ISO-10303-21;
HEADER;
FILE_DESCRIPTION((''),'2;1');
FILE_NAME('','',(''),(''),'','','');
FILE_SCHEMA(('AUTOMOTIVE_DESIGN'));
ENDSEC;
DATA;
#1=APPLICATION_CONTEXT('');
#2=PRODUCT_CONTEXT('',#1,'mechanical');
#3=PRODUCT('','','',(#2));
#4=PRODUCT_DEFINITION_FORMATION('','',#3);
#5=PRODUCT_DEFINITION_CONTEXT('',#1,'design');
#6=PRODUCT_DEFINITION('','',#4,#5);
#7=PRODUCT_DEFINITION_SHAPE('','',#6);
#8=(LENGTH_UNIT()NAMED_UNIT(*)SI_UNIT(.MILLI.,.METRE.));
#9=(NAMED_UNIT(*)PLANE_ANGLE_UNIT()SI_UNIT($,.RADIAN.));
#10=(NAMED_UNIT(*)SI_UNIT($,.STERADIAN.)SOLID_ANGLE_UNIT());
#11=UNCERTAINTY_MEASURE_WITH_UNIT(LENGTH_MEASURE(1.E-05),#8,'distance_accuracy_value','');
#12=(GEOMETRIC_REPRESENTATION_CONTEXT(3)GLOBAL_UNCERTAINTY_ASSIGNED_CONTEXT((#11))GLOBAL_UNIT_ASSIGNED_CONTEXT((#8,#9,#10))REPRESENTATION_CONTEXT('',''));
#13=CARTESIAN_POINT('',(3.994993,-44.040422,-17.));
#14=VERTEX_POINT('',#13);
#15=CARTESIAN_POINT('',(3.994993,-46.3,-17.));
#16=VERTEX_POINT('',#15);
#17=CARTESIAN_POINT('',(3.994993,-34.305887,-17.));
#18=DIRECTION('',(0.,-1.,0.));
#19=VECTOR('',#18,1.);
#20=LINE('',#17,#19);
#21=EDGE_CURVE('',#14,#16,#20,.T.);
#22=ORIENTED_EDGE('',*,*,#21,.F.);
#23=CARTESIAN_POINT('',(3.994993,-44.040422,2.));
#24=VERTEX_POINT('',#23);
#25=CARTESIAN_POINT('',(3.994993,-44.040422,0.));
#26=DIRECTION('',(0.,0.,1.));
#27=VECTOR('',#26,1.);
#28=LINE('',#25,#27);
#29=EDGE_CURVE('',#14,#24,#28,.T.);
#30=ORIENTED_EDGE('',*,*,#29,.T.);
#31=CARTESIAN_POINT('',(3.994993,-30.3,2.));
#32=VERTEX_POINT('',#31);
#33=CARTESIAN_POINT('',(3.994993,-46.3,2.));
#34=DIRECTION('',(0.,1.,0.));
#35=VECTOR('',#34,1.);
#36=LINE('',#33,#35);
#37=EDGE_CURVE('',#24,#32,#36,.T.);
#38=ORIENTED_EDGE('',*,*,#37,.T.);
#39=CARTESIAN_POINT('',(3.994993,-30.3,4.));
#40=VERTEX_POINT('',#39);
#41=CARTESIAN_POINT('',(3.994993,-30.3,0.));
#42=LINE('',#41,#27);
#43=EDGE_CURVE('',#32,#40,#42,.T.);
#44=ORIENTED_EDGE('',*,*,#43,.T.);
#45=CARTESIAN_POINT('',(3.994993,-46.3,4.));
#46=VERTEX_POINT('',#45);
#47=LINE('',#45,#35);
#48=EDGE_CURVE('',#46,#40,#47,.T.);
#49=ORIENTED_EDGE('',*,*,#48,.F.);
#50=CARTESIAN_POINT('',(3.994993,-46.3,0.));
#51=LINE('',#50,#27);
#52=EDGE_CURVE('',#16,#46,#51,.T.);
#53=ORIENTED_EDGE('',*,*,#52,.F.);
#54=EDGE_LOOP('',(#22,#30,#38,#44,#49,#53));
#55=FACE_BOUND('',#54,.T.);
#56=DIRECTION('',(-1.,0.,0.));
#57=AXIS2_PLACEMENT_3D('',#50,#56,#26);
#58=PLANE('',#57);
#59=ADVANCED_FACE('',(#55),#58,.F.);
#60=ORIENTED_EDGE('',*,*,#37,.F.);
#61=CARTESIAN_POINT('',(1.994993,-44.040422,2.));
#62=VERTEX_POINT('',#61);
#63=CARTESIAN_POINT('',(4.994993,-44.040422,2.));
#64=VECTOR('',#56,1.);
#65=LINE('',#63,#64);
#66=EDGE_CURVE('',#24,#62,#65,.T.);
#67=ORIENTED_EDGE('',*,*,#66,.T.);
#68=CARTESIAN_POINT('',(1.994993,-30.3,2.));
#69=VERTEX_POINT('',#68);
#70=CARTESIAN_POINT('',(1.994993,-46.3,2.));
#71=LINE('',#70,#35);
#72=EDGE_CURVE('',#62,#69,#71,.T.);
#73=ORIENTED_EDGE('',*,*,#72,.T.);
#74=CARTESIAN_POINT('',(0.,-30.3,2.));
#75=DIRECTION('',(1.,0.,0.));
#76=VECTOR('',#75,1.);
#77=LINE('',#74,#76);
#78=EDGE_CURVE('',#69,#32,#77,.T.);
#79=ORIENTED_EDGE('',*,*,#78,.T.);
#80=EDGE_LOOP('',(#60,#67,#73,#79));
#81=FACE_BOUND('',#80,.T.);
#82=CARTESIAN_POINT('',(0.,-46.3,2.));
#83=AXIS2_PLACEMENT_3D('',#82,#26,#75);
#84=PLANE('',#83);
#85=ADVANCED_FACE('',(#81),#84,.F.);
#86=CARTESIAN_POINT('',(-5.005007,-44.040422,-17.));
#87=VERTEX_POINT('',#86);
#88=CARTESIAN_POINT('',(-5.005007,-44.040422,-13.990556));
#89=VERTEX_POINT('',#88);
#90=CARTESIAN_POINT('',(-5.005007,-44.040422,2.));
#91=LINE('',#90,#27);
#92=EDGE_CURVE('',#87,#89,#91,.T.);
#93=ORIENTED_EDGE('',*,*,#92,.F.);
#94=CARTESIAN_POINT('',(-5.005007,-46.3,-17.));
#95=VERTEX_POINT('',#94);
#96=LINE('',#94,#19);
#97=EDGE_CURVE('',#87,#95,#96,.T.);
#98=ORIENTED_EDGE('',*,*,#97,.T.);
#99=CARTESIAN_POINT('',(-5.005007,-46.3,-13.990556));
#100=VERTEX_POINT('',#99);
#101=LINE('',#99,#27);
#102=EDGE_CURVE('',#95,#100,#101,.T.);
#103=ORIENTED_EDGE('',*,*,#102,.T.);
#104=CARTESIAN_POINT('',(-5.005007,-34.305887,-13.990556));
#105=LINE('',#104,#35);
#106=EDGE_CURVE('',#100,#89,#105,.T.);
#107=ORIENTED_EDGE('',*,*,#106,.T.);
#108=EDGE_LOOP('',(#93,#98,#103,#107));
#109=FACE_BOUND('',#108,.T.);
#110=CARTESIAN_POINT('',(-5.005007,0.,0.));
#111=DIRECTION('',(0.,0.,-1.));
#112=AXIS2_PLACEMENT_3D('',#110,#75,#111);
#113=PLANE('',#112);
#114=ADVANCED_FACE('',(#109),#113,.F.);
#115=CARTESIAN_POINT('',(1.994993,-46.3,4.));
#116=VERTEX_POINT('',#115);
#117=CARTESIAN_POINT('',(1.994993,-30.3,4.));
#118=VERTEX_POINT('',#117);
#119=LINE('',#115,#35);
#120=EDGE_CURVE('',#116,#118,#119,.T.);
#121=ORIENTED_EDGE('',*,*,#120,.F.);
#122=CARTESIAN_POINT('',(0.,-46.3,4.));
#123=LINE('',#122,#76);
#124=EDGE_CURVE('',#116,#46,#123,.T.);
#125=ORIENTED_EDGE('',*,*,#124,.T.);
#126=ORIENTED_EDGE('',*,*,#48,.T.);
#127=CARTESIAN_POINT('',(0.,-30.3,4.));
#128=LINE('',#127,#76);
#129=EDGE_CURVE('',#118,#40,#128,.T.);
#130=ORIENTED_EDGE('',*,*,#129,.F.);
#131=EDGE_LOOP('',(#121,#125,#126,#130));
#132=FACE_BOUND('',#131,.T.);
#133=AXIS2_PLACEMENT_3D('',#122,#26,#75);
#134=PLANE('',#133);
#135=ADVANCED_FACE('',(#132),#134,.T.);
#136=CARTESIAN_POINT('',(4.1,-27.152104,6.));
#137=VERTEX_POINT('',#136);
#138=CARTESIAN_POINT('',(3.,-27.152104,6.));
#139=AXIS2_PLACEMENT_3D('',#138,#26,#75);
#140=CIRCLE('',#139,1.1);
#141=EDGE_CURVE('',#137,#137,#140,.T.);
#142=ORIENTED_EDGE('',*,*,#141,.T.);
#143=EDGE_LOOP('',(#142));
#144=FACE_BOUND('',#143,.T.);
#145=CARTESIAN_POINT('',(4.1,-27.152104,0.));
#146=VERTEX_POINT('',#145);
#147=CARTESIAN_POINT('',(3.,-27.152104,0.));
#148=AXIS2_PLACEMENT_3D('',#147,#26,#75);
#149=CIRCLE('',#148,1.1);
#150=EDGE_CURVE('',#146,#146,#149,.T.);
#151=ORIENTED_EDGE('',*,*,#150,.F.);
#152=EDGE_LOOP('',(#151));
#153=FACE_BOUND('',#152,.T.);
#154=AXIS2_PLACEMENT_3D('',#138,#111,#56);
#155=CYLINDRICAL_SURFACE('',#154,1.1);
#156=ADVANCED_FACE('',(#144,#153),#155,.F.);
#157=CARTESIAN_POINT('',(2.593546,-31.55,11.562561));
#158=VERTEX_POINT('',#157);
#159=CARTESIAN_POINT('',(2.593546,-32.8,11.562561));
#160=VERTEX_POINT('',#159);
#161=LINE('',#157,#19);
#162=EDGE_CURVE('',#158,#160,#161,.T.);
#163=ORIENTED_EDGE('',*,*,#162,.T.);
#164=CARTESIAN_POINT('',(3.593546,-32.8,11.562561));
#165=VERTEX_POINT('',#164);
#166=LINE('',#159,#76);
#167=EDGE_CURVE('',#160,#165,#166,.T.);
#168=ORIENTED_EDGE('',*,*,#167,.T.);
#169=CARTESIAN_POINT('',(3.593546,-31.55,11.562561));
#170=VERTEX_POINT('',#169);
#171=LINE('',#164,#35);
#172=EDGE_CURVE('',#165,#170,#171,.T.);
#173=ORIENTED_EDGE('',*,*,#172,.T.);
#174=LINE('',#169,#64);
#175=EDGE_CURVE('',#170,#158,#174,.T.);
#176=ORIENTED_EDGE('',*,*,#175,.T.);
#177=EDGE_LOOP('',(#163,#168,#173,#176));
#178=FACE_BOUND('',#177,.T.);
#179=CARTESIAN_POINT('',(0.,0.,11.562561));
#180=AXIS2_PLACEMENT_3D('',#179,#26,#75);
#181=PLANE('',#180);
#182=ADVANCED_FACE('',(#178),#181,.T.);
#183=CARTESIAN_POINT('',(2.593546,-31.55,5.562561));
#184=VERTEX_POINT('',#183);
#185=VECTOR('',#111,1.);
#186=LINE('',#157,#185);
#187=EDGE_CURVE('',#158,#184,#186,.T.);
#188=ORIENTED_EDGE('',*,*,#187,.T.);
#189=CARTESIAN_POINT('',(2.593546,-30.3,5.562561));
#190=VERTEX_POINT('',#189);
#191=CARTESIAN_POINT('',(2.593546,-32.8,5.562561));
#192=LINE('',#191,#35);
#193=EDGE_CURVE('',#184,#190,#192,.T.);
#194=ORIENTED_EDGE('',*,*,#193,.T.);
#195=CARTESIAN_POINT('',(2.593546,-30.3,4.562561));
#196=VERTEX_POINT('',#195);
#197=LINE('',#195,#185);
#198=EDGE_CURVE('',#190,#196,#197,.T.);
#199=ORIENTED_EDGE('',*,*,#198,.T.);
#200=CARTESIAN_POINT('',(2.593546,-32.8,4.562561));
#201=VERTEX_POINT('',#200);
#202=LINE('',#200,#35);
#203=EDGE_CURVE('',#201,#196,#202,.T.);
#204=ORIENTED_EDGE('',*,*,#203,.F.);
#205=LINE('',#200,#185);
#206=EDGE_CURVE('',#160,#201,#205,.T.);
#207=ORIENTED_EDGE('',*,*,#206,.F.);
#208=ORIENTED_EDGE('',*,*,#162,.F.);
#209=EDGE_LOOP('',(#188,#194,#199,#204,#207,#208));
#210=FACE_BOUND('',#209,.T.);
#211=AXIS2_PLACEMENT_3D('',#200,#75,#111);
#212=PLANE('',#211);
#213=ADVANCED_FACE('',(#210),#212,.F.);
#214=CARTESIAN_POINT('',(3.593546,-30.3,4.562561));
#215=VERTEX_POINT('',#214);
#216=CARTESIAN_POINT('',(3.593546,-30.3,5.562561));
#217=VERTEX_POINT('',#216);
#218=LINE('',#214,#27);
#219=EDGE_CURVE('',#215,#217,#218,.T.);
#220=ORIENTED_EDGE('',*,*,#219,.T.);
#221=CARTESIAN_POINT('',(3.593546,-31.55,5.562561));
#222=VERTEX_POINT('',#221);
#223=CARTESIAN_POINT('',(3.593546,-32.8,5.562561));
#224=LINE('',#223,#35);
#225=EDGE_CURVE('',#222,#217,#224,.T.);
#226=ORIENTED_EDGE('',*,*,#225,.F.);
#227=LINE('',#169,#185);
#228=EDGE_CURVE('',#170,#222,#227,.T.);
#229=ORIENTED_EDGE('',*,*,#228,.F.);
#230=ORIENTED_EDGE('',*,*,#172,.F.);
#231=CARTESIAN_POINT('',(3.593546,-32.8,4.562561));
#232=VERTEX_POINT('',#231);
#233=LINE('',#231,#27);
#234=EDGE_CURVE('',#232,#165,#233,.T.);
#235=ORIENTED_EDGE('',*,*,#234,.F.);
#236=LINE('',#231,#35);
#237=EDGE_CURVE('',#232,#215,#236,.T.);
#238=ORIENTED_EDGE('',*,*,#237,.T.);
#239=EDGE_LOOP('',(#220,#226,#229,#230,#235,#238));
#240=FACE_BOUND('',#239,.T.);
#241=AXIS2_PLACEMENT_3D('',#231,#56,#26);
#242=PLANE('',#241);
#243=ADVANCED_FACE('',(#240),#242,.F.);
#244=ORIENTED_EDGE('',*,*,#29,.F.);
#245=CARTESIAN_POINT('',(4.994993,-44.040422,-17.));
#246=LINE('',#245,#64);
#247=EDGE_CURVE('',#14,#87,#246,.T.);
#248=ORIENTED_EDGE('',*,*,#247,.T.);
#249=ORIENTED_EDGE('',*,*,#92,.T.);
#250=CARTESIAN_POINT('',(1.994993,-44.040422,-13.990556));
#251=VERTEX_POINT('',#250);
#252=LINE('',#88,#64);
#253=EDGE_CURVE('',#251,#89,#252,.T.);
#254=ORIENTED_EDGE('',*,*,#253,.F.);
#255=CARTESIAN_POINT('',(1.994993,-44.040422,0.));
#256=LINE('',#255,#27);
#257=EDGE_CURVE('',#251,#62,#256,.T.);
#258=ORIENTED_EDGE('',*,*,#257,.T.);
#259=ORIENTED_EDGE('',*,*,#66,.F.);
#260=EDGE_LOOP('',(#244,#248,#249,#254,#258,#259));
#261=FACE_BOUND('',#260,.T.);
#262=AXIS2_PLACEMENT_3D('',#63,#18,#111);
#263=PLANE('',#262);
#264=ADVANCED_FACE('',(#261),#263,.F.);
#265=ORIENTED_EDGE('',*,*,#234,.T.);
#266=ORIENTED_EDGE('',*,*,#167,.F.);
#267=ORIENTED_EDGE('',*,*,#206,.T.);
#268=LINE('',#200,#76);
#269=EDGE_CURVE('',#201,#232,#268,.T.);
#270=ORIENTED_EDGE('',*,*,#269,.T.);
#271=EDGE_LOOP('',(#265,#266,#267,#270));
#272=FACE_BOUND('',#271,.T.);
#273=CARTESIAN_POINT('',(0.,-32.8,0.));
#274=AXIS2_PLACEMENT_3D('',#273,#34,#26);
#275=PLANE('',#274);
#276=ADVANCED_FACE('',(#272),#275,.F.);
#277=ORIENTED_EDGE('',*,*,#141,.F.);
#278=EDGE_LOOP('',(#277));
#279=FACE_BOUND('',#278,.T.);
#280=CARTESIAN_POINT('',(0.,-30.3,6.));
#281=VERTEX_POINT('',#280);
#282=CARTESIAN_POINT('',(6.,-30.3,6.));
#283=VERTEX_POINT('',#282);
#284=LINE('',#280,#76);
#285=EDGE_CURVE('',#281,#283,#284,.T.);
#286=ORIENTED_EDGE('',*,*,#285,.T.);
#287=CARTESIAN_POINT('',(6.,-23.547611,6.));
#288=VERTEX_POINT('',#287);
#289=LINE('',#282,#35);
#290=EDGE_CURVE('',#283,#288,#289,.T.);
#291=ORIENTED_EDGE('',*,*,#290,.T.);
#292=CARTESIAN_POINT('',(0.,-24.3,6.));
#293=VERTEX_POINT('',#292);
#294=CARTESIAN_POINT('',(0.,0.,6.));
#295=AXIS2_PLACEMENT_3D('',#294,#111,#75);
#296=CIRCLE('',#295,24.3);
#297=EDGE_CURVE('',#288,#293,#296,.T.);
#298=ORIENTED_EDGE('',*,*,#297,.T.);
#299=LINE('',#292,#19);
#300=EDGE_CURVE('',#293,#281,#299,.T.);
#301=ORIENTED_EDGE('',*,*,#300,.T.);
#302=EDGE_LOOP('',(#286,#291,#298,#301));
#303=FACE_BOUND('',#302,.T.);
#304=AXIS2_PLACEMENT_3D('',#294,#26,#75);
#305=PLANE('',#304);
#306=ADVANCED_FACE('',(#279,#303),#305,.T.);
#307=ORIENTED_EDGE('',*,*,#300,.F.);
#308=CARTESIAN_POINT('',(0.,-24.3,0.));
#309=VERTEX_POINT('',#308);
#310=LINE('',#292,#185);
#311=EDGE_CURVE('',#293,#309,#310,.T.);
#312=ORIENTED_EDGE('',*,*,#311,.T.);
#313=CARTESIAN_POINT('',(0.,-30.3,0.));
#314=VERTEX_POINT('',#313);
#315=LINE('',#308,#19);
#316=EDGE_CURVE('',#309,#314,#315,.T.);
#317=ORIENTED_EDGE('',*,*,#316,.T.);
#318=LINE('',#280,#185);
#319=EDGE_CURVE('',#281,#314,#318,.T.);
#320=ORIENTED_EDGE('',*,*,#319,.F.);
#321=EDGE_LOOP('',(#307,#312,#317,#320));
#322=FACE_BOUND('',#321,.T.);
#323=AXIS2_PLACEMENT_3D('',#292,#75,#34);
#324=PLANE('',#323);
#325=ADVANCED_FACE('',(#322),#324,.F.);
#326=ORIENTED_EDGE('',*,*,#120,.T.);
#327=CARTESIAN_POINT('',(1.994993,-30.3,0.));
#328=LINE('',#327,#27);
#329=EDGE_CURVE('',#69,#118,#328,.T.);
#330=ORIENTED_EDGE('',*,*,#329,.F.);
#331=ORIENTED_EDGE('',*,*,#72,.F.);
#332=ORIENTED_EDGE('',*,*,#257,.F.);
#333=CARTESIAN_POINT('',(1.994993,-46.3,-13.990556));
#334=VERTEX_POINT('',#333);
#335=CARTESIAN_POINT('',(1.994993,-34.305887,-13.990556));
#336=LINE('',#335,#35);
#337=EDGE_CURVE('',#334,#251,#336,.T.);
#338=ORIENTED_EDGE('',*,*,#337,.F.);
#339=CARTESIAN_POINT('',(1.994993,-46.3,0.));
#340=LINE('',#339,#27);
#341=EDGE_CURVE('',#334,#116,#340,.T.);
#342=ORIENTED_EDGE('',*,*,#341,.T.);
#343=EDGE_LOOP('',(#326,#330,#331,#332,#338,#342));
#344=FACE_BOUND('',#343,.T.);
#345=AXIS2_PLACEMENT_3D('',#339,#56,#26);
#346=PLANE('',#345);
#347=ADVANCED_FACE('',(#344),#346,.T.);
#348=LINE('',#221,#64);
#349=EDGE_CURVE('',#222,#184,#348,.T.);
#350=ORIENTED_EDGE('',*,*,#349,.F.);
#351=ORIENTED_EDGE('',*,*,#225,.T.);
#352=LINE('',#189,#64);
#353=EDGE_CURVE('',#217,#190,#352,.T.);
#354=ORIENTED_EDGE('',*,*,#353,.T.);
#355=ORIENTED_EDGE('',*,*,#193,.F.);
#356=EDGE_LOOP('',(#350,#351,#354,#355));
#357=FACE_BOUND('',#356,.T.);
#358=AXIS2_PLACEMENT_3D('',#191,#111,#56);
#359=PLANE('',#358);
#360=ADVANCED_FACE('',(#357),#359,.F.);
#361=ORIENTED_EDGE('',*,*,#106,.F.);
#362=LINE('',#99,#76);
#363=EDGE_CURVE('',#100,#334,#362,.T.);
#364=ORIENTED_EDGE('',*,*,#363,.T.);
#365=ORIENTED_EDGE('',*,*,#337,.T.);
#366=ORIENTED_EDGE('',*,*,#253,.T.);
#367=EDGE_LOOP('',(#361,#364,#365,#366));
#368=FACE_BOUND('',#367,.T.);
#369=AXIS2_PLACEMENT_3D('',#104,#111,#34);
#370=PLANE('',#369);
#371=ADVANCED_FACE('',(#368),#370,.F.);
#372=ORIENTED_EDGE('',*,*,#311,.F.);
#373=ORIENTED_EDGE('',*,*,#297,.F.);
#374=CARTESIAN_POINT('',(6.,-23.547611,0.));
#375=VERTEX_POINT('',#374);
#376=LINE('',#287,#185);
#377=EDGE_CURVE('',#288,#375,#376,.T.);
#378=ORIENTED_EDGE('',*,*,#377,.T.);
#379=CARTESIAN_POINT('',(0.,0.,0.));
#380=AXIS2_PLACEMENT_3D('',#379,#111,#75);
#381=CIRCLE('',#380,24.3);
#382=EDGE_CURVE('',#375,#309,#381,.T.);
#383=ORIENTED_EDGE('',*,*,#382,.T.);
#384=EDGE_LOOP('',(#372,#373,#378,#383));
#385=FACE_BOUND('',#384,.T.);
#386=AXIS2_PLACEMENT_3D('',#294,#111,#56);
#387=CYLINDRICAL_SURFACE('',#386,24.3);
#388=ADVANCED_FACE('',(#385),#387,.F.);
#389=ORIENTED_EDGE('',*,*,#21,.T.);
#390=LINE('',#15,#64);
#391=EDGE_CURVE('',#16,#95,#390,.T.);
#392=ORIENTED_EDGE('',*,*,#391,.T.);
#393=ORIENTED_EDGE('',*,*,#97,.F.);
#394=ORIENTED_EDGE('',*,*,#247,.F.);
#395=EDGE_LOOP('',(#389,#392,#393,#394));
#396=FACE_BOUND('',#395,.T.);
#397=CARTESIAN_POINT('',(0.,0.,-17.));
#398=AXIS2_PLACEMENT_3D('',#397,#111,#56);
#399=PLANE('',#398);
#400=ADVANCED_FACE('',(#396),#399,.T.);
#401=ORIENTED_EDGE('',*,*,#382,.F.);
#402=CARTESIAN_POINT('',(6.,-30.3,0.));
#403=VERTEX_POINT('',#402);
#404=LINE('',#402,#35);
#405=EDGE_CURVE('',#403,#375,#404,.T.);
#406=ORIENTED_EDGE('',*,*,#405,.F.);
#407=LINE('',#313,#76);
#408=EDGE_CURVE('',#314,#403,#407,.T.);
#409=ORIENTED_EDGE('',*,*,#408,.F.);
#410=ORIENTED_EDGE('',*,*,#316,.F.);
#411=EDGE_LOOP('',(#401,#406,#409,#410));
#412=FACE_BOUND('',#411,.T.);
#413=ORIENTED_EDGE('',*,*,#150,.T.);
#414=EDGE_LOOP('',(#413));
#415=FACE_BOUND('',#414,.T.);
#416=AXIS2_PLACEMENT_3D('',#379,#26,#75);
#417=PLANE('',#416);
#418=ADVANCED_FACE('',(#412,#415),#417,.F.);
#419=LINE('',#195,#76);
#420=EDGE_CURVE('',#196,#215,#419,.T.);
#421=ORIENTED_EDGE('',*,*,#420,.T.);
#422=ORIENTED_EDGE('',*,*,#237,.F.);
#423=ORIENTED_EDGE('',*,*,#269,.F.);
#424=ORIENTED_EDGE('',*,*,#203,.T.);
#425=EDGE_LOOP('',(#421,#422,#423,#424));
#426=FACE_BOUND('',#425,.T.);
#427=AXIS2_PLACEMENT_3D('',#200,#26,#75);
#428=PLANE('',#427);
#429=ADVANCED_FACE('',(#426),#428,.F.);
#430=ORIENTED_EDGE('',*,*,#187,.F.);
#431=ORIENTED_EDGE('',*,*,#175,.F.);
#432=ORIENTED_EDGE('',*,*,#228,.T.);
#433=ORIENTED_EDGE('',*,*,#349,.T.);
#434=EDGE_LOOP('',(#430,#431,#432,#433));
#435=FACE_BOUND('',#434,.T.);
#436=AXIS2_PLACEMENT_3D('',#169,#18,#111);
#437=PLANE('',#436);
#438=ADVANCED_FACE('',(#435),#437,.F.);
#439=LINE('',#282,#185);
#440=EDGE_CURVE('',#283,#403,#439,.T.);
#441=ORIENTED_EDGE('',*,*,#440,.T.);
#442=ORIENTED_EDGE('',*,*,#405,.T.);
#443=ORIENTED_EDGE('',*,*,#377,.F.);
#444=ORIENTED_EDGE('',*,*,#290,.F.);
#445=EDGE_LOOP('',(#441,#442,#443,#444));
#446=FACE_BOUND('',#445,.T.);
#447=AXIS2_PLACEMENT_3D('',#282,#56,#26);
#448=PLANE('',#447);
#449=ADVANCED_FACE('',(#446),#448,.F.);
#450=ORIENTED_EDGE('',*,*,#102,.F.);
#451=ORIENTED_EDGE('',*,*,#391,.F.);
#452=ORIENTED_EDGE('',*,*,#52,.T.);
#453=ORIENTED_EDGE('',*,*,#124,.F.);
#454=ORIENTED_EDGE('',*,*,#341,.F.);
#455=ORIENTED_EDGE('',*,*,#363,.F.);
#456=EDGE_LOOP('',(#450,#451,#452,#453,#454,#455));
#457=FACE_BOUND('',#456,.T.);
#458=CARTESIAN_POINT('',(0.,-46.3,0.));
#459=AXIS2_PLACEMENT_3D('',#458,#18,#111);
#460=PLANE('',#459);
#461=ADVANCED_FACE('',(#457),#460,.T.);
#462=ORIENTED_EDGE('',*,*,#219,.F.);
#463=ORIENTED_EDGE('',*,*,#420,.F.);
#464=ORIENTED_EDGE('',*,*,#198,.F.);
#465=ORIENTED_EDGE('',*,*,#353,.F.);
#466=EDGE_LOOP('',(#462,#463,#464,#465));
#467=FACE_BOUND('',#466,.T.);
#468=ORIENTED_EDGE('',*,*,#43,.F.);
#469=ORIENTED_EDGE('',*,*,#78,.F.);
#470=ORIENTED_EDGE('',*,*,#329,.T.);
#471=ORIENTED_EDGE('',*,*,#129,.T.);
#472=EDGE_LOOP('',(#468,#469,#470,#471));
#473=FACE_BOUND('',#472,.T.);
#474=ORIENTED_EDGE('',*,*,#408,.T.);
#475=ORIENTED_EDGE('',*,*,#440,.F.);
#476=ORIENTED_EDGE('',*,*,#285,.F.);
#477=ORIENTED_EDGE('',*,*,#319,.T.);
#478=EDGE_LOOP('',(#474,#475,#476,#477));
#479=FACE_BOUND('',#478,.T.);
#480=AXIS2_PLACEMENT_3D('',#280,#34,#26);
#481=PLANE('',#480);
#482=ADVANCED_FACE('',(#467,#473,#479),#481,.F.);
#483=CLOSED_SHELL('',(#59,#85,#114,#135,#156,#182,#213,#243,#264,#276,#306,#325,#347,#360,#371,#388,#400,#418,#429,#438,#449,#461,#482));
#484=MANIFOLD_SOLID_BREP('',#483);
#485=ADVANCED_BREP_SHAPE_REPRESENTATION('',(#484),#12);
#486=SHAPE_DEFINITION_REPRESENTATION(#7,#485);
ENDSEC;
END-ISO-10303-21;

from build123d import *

# Parameters (mm, degrees)
SKETCH1_R           = 1.1
BOSS_EXTRUDE1_DEPTH = 6
SKETCH2_W           = 2
SKETCH2_H           = 2
BOSS_EXTRUDE2_DEPTH = 16
SKETCH4_W           = 2
SKETCH4_H           = 11.994112908
BOSS_EXTRUDE4_DEPTH = 19
SKETCH5_W           = 1
SKETCH5_H           = 1
BOSS_EXTRUDE5_DEPTH = 2.5
SKETCH6_W           = 1
SKETCH6_H           = 1.25
BOSS_EXTRUDE6_DEPTH = 6
SKETCH7_W           = 3.009444154
SKETCH7_H           = 11.994112908
BOSS_EXTRUDE7_DEPTH = 7
SKETCH8_R           = 1.1
BOSS_EXTRUDE8_DEPTH = 1
SKETCH9_R           = 1.1
CUT_EXTRUDE1_DEPTH  = 10
SKETCH10_W          = 19
SKETCH10_H          = 9.734535385
CUT_EXTRUDE2_DEPTH  = 10


with BuildPart() as part:
    # Sketch1 → Boss-Extrude1 (new body)
    with BuildSketch(Plane.XY):
        with BuildLine():
            Line((0, -24.3), (0, -30.3))
            Line((0, -30.3), (6, -30.3))
            Line((6, -30.3), (6, -23.547611344))
            ThreePointArc((6, -23.547611344), (3.023495026, -24.111169151), (0, -24.3))
        make_face()
        with Locations((3, -27.152103588)):
            Circle(SKETCH1_R, mode=Mode.SUBTRACT)
    extrude(amount=BOSS_EXTRUDE1_DEPTH)

    # Sketch2 → Boss-Extrude2 (add)
    with BuildSketch(Plane.XZ.offset(30.3)):
        with Locations((2.994992787, 3)):
            Rectangle(SKETCH2_W, SKETCH2_H)
    extrude(amount=BOSS_EXTRUDE2_DEPTH)

    # Sketch4 → Boss-Extrude4 (add)
    with BuildSketch(Plane(origin=(0, 0, 2), x_dir=(-1, 0, 0), z_dir=(0, 0, -1))):
        with Locations((-2.994992787, -40.302943546)):
            Rectangle(SKETCH4_W, SKETCH4_H)
    extrude(amount=BOSS_EXTRUDE4_DEPTH)

    # Sketch5 → Boss-Extrude5 (add)
    with BuildSketch(Plane.XZ.offset(30.3)):
        with Locations((3.093546014, 5.062561083)):
            Rectangle(SKETCH5_W, SKETCH5_H)
    extrude(amount=BOSS_EXTRUDE5_DEPTH)

    # Sketch6 → Boss-Extrude6 (add)
    with BuildSketch(Plane.XY.offset(5.562561083)):
        with Locations((3.093546014, -32.175)):
            Rectangle(SKETCH6_W, SKETCH6_H)
    extrude(amount=BOSS_EXTRUDE6_DEPTH)

    # Sketch7 → Boss-Extrude7 (add)
    with BuildSketch(Plane.ZY.offset(-1.994992787)):
        with Locations((-15.495277923, -40.302943546)):
            Rectangle(SKETCH7_W, SKETCH7_H)
    extrude(amount=BOSS_EXTRUDE7_DEPTH)

    # Sketch8 → Boss-Extrude8 (add)
    with BuildSketch(Plane(origin=(0, 0, 0), x_dir=(-1, 0, 0), z_dir=(0, 0, -1))):
        with Locations((-3, -27.152103588)):
            Circle(SKETCH8_R)
    extrude(amount=-BOSS_EXTRUDE8_DEPTH)

    # Sketch9 → Cut-Extrude1 (cut)
    with BuildSketch(Plane.XY.offset(6)):
        with Locations((3, -27.152103588)):
            Circle(SKETCH9_R)
    extrude(amount=-CUT_EXTRUDE1_DEPTH, mode=Mode.SUBTRACT)

    # Sketch10 → Cut-Extrude2 (cut)
    with BuildSketch(Plane.ZY.offset(5.005007213)):
        with Locations((-7.5, -39.173154784)):
            Rectangle(SKETCH10_W, SKETCH10_H)
    extrude(amount=-CUT_EXTRUDE2_DEPTH, mode=Mode.SUBTRACT)


solid = part.part
